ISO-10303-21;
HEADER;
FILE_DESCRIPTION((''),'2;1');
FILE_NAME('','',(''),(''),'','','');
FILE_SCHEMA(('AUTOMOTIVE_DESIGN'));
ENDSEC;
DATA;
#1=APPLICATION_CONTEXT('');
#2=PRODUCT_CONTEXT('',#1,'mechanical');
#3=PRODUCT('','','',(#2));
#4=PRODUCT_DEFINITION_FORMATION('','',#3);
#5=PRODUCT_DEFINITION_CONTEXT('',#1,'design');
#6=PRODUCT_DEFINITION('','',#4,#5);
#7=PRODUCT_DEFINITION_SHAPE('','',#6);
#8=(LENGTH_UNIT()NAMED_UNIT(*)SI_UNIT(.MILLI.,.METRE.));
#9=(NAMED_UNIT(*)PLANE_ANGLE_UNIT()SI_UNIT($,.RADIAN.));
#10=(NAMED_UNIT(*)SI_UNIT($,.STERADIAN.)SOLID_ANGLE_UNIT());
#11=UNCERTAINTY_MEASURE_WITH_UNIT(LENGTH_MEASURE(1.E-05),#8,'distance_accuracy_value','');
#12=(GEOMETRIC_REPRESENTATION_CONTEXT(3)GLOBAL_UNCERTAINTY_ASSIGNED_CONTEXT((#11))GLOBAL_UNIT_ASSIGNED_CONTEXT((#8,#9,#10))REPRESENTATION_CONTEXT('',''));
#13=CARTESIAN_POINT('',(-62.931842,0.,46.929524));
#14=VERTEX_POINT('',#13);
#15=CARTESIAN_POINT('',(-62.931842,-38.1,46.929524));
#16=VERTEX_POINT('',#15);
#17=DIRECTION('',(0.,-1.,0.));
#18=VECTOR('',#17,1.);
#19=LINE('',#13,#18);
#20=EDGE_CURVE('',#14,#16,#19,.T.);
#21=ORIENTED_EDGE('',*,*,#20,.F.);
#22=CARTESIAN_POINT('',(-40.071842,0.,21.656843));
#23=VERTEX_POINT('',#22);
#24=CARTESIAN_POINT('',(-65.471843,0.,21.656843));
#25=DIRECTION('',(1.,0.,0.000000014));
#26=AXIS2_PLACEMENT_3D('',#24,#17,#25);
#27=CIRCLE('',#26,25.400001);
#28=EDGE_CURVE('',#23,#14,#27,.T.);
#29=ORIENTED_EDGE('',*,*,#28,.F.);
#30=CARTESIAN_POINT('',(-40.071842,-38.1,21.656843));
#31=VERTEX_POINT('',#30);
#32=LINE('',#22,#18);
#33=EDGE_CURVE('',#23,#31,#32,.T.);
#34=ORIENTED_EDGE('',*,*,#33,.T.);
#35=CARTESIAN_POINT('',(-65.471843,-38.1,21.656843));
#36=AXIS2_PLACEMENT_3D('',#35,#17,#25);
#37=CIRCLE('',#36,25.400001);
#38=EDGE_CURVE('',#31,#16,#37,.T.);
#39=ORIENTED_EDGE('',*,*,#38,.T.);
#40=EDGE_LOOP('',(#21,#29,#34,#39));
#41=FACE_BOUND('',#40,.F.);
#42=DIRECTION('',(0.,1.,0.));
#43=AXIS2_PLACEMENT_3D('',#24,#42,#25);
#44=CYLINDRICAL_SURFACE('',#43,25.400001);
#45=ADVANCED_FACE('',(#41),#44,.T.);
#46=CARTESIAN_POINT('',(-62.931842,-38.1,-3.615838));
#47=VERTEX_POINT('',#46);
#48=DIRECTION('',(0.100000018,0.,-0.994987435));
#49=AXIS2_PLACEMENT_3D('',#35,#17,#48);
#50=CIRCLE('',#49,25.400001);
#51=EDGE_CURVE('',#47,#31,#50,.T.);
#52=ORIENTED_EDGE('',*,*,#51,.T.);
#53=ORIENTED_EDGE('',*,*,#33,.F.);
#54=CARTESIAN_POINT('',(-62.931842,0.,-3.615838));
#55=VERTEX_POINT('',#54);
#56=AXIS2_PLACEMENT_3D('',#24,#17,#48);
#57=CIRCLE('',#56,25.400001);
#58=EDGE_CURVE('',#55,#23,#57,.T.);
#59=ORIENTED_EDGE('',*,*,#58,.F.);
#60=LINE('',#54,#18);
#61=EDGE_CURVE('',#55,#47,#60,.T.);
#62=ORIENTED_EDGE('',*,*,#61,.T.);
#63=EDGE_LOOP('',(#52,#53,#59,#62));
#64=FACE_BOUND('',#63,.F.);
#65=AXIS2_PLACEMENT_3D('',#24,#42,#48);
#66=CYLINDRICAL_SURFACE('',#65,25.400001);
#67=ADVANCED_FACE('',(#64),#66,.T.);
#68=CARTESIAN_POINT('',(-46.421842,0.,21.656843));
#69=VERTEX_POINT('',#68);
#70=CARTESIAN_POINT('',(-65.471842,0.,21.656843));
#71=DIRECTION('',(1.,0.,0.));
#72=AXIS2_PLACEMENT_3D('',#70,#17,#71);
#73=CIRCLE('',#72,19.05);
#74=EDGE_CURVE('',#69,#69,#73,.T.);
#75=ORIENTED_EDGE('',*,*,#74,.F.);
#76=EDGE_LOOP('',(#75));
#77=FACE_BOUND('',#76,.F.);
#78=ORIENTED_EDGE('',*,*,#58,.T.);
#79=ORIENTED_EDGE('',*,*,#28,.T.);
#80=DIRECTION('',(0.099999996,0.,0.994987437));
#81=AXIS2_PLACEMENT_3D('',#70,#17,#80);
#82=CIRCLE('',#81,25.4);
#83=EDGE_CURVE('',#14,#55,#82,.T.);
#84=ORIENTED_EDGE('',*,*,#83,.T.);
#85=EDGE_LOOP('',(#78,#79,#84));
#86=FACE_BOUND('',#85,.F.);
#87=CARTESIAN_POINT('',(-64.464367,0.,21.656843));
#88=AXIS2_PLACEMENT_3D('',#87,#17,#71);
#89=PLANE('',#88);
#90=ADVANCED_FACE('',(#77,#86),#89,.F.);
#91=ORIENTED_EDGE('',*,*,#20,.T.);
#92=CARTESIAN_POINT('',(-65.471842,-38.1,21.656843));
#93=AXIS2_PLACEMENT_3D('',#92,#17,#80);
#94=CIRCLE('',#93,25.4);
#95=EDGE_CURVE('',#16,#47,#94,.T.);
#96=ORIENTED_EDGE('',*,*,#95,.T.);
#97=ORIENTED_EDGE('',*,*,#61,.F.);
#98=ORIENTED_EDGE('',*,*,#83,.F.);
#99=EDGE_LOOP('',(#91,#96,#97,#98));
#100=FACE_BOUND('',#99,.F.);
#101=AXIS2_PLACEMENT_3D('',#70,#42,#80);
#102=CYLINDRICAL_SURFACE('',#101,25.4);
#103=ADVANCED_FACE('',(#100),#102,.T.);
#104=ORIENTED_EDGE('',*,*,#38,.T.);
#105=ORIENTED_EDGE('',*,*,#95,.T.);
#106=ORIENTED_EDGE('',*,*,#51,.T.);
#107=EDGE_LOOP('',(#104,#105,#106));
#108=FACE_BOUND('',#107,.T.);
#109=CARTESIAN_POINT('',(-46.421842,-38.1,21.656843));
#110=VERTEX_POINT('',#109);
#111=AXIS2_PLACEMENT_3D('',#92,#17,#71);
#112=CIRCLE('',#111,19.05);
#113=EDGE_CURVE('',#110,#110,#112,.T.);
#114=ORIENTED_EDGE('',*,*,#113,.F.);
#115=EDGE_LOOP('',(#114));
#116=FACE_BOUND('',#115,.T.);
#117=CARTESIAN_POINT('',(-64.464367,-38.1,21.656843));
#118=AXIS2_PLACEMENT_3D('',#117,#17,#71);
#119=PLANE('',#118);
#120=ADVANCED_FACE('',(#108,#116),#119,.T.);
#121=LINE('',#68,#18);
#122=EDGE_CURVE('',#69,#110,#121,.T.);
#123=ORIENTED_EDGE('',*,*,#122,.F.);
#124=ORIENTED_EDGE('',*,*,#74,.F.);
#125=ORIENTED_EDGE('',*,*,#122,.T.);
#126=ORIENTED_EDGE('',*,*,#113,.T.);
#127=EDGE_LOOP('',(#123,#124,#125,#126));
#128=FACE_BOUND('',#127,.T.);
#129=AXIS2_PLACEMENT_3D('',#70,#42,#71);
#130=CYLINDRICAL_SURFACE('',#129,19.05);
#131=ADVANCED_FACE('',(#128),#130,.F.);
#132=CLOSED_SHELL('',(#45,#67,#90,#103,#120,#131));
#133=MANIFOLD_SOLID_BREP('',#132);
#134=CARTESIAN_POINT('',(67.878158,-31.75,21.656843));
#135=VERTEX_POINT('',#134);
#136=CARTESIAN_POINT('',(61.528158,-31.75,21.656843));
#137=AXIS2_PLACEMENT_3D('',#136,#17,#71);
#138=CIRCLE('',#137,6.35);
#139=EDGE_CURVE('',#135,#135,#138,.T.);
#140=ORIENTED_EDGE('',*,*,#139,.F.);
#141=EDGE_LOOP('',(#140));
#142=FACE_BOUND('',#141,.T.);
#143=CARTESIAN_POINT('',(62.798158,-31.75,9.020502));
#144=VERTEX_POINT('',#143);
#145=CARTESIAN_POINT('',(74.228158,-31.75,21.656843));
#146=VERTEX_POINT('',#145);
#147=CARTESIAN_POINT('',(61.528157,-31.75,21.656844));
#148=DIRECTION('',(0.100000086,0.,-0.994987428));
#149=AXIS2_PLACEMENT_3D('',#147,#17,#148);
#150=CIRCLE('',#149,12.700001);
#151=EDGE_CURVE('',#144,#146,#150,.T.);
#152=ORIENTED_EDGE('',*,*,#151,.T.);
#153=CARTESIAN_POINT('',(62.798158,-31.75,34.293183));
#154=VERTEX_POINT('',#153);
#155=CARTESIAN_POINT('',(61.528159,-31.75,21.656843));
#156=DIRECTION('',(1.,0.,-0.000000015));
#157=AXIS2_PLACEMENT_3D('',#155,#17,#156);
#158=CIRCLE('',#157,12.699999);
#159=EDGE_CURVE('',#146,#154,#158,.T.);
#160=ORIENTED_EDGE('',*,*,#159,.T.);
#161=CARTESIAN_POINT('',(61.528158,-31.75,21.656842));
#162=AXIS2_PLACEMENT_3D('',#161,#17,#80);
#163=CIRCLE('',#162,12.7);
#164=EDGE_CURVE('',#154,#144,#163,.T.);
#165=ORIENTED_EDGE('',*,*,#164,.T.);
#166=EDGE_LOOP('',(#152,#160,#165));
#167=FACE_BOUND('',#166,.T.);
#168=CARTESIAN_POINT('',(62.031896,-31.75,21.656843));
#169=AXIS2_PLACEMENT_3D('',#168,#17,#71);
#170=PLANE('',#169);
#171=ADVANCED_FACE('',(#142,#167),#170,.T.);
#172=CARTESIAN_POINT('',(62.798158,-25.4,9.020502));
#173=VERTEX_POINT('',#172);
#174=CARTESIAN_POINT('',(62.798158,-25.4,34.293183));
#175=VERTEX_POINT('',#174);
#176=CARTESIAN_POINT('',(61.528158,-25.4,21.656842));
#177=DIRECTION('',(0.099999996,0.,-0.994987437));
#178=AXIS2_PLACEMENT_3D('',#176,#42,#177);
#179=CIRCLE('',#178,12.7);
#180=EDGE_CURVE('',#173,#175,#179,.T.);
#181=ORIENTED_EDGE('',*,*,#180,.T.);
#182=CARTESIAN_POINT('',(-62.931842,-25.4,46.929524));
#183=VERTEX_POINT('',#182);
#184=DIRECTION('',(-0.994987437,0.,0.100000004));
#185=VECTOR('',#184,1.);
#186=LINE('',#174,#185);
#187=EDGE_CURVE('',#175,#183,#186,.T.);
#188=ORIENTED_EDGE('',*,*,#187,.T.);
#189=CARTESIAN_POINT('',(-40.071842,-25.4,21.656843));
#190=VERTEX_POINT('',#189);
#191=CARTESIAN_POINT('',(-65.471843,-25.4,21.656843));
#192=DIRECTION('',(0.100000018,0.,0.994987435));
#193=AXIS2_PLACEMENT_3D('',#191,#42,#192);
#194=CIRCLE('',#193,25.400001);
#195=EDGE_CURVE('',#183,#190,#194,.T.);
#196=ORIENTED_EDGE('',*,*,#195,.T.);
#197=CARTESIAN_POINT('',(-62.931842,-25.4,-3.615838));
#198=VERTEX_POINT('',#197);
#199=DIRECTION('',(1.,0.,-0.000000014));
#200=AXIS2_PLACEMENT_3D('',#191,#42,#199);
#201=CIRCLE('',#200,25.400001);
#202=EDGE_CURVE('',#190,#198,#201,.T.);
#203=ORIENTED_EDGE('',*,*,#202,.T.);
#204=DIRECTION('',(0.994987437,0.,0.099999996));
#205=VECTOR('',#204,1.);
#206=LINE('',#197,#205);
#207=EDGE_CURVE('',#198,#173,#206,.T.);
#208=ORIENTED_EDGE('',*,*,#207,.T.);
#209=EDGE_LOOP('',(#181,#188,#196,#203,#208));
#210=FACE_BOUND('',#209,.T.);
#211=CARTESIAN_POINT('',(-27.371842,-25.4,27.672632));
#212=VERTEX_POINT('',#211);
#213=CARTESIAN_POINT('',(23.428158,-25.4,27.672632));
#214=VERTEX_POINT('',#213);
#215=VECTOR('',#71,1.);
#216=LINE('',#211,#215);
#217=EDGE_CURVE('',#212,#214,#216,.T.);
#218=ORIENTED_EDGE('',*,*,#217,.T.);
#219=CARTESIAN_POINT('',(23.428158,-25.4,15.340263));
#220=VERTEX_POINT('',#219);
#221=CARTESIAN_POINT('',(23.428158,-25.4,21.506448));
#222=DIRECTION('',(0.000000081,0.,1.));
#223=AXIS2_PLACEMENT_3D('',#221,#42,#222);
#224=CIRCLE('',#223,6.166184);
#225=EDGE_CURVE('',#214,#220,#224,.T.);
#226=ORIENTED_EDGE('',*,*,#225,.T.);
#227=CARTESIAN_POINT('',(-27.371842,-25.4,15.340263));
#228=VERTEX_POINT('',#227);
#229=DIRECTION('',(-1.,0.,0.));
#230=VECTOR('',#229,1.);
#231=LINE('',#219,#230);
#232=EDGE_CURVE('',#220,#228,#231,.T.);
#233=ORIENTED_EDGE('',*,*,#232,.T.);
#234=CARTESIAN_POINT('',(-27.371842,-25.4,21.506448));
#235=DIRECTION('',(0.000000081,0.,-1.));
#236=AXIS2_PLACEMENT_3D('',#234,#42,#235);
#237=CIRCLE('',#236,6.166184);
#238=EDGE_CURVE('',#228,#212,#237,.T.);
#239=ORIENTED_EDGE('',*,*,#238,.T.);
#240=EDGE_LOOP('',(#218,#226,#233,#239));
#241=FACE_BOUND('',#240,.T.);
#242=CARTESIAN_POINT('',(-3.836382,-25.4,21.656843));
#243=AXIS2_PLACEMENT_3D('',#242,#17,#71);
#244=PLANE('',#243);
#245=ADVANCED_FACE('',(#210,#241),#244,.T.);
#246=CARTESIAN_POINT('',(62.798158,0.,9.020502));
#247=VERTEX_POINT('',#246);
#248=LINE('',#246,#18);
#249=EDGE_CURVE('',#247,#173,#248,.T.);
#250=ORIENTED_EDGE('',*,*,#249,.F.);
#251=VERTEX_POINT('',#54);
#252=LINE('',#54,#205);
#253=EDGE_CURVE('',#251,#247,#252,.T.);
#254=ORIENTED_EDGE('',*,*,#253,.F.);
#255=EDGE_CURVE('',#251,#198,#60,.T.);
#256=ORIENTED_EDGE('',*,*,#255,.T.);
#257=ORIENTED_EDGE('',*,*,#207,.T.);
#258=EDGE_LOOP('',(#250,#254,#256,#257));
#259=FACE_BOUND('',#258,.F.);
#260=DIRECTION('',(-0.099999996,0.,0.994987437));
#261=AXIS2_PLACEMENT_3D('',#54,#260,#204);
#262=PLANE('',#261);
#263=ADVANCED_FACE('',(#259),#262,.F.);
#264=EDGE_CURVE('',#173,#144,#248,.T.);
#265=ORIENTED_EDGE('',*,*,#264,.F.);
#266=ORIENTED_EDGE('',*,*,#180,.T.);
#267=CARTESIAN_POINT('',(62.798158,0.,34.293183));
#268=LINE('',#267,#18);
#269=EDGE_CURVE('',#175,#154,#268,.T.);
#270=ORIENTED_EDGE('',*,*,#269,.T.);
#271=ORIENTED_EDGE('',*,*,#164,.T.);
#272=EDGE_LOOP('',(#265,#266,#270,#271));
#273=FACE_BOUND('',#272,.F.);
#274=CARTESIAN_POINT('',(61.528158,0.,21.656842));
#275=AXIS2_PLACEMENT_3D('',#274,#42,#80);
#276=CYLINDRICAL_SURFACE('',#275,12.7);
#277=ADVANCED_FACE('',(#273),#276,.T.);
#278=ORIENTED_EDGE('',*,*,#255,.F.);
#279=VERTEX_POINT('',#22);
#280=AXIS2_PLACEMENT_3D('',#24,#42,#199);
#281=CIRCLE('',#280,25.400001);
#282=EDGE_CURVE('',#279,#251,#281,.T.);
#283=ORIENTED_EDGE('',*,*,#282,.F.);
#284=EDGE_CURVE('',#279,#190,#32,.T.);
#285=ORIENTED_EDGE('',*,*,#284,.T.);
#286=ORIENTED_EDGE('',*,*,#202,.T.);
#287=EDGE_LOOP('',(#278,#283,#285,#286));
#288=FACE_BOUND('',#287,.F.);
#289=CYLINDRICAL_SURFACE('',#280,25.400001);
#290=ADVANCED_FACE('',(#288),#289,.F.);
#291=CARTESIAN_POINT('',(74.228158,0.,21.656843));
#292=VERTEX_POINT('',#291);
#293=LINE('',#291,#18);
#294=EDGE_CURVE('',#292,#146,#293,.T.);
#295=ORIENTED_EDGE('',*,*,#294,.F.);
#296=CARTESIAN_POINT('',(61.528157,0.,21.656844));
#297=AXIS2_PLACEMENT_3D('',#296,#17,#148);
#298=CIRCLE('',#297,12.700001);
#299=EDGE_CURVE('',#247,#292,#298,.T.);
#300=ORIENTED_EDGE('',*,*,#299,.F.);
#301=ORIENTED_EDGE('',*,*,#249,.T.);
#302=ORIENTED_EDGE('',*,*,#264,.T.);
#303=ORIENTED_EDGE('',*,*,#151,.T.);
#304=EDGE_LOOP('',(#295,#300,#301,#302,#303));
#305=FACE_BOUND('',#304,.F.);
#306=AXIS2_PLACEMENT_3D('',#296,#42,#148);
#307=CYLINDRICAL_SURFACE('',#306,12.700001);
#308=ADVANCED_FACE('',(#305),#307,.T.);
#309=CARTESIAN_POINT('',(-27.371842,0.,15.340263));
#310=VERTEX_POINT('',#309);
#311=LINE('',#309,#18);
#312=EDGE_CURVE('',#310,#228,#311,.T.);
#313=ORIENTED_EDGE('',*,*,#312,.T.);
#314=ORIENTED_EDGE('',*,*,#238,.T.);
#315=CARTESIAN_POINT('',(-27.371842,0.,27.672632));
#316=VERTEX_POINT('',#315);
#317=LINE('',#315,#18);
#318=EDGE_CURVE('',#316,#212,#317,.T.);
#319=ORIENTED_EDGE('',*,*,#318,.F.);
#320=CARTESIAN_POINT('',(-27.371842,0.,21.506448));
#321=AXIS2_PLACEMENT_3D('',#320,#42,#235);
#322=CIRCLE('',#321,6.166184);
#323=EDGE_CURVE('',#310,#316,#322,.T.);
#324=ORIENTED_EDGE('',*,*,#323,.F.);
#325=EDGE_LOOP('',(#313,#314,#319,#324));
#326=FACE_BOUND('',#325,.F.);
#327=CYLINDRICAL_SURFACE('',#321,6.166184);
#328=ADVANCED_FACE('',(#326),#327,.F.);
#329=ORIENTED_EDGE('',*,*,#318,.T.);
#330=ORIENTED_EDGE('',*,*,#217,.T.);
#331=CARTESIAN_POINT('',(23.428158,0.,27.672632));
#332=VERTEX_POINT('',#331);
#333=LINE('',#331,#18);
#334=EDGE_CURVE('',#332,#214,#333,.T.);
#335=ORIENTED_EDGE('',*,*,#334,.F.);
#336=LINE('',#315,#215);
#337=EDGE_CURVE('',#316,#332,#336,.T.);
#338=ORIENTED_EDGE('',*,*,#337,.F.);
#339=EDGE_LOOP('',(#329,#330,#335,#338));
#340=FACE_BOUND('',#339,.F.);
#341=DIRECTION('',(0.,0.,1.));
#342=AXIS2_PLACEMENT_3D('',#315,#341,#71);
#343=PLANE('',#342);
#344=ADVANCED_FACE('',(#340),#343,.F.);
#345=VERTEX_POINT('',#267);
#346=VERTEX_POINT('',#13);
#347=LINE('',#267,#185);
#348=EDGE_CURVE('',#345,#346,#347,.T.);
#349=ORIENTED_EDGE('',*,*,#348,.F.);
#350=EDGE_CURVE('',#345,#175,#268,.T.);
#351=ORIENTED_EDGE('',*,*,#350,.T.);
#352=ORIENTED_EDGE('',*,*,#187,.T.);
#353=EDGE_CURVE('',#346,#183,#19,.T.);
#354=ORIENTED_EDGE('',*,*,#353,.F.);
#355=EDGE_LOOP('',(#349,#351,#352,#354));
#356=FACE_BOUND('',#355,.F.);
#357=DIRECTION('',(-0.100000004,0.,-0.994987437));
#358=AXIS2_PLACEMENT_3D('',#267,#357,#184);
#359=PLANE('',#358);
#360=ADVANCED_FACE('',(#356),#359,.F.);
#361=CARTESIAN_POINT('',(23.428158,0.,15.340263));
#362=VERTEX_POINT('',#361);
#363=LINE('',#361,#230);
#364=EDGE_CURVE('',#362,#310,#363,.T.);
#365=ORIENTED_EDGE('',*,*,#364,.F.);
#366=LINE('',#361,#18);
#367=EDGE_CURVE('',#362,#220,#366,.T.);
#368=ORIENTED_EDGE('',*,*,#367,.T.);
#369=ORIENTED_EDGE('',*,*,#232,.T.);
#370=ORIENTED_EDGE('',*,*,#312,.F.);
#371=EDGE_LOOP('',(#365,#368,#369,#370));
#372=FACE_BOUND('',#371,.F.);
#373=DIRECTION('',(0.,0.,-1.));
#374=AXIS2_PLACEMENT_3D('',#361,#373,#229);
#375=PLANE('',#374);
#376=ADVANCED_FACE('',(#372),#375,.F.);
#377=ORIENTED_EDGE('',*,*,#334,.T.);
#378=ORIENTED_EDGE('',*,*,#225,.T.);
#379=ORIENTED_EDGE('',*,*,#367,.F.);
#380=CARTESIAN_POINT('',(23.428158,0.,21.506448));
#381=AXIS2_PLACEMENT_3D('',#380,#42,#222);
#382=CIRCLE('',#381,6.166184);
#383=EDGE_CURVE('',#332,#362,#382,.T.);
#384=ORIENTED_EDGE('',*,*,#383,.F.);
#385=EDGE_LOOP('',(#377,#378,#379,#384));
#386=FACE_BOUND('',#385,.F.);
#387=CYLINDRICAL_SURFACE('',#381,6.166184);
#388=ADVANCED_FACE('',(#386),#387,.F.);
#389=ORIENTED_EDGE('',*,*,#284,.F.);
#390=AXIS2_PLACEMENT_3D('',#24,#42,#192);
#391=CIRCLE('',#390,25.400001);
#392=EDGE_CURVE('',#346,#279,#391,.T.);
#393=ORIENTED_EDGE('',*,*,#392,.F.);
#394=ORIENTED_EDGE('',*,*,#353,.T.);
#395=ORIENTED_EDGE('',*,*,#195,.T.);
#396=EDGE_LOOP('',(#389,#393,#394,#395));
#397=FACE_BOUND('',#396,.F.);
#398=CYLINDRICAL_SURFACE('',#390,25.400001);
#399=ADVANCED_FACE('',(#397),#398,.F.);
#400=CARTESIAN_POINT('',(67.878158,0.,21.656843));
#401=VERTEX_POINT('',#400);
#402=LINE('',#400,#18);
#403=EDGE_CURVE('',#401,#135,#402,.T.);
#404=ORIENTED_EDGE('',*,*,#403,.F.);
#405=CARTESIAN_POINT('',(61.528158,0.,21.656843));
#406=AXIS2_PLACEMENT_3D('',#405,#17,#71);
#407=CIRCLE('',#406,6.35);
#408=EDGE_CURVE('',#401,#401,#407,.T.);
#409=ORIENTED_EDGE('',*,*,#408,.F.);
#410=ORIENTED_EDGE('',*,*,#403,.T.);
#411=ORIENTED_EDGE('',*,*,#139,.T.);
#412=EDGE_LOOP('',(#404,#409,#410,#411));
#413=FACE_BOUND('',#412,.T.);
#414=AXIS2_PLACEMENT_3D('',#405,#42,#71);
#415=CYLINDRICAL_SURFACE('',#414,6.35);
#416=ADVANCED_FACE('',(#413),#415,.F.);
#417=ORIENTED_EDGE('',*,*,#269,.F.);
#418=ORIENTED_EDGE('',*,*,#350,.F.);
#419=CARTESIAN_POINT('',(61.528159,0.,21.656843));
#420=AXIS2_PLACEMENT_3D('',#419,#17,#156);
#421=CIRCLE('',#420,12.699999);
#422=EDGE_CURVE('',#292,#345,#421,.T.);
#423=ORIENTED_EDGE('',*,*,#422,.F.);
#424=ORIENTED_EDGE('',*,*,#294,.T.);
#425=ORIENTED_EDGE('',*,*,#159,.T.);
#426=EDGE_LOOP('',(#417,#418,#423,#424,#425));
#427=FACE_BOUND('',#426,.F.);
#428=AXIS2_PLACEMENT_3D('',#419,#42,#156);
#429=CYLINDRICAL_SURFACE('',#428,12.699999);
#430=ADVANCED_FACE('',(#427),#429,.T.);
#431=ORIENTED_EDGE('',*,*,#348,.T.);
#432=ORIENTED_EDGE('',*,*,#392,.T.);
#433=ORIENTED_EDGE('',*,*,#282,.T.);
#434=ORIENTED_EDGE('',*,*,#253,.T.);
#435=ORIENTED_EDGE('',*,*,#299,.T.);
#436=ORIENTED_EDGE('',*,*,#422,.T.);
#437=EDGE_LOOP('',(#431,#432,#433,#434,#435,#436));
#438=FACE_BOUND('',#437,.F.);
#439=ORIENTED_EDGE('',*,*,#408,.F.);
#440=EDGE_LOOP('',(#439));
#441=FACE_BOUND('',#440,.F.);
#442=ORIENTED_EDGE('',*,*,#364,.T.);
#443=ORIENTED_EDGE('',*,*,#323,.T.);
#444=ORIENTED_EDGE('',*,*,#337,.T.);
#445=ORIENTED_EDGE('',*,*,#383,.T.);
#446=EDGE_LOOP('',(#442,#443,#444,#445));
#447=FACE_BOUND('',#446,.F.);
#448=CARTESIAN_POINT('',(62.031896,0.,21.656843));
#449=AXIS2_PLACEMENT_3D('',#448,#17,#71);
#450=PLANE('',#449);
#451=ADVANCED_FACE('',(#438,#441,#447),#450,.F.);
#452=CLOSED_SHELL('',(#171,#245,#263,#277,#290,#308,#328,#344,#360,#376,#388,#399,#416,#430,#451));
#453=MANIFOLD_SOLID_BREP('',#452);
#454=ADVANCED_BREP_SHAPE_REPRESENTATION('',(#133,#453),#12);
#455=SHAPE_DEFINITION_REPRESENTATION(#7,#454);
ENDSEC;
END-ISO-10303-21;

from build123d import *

# Parameters (mm, degrees)
F0_R     = 19.05
F1_DEPTH = 38.1
F2_DEPTH = 25.4
F0_R_2   = 6.35
F3_DEPTH = 31.75


with BuildPart() as f1:
    # F0 (on Front) → F1 (new body)
    with BuildSketch(Plane.XZ):
        with BuildLine():
            ThreePointArc((-62.931842, -3.615838), (-46.634698, 4.618005), (-40.071842, 21.656843))
            ThreePointArc((-40.071842, 21.656843), (-46.634698, 38.695681), (-62.931842, 46.929524))
            ThreePointArc((-62.931842, 46.929524), (-90.871842, 21.656843), (-62.931842, -3.615838))
        make_face()
        with Locations((-65.471842, 21.656843)):
            Circle(F0_R, mode=Mode.SUBTRACT)
    extrude(amount=F1_DEPTH)


with BuildPart() as f2:
    # F0 (on Front) → F2 (new body)
    with BuildSketch(Plane.XZ):
        with BuildLine():
            ThreePointArc((-62.931842, 46.929524), (-46.634698, 38.695681), (-40.071842, 21.656843))
            ThreePointArc((-40.071842, 21.656843), (-46.634698, 4.618005), (-62.931842, -3.615838))
            Line((-62.931842, -3.615838), (62.798158, 9.020502))
            ThreePointArc((62.798158, 9.020502), (48.828158, 21.656843), (62.798158, 34.293183))
            Line((62.798158, 34.293183), (-62.931842, 46.929524))
        make_face()
        with BuildLine():
            ThreePointArc((-27.371842, 15.340263), (-33.538027, 21.506447), (-27.371842, 27.672632))
            Line((-27.371842, 27.672632), (23.428158, 27.672632))
            ThreePointArc((23.428158, 27.672632), (29.594342, 21.506447), (23.428158, 15.340263))
            Line((23.428158, 15.340263), (-27.371842, 15.340263))
        make_face(mode=Mode.SUBTRACT)
    extrude(amount=F2_DEPTH)

    # F0 (on Front) → F3 (join)
    with BuildSketch(Plane.XZ):
        with BuildLine():
            ThreePointArc((74.228158, 21.656843), (70.94673, 30.176262), (62.798158, 34.293183))
            ThreePointArc((62.798158, 34.293183), (48.828158, 21.656843), (62.798158, 9.020502))
            ThreePointArc((62.798158, 9.020502), (70.94673, 13.137424), (74.228158, 21.656843))
        make_face()
        with Locations((61.528158, 21.656843)):
            Circle(F0_R_2, mode=Mode.SUBTRACT)
    extrude(amount=F3_DEPTH)


solid = Compound([f1.part, f2.part])
